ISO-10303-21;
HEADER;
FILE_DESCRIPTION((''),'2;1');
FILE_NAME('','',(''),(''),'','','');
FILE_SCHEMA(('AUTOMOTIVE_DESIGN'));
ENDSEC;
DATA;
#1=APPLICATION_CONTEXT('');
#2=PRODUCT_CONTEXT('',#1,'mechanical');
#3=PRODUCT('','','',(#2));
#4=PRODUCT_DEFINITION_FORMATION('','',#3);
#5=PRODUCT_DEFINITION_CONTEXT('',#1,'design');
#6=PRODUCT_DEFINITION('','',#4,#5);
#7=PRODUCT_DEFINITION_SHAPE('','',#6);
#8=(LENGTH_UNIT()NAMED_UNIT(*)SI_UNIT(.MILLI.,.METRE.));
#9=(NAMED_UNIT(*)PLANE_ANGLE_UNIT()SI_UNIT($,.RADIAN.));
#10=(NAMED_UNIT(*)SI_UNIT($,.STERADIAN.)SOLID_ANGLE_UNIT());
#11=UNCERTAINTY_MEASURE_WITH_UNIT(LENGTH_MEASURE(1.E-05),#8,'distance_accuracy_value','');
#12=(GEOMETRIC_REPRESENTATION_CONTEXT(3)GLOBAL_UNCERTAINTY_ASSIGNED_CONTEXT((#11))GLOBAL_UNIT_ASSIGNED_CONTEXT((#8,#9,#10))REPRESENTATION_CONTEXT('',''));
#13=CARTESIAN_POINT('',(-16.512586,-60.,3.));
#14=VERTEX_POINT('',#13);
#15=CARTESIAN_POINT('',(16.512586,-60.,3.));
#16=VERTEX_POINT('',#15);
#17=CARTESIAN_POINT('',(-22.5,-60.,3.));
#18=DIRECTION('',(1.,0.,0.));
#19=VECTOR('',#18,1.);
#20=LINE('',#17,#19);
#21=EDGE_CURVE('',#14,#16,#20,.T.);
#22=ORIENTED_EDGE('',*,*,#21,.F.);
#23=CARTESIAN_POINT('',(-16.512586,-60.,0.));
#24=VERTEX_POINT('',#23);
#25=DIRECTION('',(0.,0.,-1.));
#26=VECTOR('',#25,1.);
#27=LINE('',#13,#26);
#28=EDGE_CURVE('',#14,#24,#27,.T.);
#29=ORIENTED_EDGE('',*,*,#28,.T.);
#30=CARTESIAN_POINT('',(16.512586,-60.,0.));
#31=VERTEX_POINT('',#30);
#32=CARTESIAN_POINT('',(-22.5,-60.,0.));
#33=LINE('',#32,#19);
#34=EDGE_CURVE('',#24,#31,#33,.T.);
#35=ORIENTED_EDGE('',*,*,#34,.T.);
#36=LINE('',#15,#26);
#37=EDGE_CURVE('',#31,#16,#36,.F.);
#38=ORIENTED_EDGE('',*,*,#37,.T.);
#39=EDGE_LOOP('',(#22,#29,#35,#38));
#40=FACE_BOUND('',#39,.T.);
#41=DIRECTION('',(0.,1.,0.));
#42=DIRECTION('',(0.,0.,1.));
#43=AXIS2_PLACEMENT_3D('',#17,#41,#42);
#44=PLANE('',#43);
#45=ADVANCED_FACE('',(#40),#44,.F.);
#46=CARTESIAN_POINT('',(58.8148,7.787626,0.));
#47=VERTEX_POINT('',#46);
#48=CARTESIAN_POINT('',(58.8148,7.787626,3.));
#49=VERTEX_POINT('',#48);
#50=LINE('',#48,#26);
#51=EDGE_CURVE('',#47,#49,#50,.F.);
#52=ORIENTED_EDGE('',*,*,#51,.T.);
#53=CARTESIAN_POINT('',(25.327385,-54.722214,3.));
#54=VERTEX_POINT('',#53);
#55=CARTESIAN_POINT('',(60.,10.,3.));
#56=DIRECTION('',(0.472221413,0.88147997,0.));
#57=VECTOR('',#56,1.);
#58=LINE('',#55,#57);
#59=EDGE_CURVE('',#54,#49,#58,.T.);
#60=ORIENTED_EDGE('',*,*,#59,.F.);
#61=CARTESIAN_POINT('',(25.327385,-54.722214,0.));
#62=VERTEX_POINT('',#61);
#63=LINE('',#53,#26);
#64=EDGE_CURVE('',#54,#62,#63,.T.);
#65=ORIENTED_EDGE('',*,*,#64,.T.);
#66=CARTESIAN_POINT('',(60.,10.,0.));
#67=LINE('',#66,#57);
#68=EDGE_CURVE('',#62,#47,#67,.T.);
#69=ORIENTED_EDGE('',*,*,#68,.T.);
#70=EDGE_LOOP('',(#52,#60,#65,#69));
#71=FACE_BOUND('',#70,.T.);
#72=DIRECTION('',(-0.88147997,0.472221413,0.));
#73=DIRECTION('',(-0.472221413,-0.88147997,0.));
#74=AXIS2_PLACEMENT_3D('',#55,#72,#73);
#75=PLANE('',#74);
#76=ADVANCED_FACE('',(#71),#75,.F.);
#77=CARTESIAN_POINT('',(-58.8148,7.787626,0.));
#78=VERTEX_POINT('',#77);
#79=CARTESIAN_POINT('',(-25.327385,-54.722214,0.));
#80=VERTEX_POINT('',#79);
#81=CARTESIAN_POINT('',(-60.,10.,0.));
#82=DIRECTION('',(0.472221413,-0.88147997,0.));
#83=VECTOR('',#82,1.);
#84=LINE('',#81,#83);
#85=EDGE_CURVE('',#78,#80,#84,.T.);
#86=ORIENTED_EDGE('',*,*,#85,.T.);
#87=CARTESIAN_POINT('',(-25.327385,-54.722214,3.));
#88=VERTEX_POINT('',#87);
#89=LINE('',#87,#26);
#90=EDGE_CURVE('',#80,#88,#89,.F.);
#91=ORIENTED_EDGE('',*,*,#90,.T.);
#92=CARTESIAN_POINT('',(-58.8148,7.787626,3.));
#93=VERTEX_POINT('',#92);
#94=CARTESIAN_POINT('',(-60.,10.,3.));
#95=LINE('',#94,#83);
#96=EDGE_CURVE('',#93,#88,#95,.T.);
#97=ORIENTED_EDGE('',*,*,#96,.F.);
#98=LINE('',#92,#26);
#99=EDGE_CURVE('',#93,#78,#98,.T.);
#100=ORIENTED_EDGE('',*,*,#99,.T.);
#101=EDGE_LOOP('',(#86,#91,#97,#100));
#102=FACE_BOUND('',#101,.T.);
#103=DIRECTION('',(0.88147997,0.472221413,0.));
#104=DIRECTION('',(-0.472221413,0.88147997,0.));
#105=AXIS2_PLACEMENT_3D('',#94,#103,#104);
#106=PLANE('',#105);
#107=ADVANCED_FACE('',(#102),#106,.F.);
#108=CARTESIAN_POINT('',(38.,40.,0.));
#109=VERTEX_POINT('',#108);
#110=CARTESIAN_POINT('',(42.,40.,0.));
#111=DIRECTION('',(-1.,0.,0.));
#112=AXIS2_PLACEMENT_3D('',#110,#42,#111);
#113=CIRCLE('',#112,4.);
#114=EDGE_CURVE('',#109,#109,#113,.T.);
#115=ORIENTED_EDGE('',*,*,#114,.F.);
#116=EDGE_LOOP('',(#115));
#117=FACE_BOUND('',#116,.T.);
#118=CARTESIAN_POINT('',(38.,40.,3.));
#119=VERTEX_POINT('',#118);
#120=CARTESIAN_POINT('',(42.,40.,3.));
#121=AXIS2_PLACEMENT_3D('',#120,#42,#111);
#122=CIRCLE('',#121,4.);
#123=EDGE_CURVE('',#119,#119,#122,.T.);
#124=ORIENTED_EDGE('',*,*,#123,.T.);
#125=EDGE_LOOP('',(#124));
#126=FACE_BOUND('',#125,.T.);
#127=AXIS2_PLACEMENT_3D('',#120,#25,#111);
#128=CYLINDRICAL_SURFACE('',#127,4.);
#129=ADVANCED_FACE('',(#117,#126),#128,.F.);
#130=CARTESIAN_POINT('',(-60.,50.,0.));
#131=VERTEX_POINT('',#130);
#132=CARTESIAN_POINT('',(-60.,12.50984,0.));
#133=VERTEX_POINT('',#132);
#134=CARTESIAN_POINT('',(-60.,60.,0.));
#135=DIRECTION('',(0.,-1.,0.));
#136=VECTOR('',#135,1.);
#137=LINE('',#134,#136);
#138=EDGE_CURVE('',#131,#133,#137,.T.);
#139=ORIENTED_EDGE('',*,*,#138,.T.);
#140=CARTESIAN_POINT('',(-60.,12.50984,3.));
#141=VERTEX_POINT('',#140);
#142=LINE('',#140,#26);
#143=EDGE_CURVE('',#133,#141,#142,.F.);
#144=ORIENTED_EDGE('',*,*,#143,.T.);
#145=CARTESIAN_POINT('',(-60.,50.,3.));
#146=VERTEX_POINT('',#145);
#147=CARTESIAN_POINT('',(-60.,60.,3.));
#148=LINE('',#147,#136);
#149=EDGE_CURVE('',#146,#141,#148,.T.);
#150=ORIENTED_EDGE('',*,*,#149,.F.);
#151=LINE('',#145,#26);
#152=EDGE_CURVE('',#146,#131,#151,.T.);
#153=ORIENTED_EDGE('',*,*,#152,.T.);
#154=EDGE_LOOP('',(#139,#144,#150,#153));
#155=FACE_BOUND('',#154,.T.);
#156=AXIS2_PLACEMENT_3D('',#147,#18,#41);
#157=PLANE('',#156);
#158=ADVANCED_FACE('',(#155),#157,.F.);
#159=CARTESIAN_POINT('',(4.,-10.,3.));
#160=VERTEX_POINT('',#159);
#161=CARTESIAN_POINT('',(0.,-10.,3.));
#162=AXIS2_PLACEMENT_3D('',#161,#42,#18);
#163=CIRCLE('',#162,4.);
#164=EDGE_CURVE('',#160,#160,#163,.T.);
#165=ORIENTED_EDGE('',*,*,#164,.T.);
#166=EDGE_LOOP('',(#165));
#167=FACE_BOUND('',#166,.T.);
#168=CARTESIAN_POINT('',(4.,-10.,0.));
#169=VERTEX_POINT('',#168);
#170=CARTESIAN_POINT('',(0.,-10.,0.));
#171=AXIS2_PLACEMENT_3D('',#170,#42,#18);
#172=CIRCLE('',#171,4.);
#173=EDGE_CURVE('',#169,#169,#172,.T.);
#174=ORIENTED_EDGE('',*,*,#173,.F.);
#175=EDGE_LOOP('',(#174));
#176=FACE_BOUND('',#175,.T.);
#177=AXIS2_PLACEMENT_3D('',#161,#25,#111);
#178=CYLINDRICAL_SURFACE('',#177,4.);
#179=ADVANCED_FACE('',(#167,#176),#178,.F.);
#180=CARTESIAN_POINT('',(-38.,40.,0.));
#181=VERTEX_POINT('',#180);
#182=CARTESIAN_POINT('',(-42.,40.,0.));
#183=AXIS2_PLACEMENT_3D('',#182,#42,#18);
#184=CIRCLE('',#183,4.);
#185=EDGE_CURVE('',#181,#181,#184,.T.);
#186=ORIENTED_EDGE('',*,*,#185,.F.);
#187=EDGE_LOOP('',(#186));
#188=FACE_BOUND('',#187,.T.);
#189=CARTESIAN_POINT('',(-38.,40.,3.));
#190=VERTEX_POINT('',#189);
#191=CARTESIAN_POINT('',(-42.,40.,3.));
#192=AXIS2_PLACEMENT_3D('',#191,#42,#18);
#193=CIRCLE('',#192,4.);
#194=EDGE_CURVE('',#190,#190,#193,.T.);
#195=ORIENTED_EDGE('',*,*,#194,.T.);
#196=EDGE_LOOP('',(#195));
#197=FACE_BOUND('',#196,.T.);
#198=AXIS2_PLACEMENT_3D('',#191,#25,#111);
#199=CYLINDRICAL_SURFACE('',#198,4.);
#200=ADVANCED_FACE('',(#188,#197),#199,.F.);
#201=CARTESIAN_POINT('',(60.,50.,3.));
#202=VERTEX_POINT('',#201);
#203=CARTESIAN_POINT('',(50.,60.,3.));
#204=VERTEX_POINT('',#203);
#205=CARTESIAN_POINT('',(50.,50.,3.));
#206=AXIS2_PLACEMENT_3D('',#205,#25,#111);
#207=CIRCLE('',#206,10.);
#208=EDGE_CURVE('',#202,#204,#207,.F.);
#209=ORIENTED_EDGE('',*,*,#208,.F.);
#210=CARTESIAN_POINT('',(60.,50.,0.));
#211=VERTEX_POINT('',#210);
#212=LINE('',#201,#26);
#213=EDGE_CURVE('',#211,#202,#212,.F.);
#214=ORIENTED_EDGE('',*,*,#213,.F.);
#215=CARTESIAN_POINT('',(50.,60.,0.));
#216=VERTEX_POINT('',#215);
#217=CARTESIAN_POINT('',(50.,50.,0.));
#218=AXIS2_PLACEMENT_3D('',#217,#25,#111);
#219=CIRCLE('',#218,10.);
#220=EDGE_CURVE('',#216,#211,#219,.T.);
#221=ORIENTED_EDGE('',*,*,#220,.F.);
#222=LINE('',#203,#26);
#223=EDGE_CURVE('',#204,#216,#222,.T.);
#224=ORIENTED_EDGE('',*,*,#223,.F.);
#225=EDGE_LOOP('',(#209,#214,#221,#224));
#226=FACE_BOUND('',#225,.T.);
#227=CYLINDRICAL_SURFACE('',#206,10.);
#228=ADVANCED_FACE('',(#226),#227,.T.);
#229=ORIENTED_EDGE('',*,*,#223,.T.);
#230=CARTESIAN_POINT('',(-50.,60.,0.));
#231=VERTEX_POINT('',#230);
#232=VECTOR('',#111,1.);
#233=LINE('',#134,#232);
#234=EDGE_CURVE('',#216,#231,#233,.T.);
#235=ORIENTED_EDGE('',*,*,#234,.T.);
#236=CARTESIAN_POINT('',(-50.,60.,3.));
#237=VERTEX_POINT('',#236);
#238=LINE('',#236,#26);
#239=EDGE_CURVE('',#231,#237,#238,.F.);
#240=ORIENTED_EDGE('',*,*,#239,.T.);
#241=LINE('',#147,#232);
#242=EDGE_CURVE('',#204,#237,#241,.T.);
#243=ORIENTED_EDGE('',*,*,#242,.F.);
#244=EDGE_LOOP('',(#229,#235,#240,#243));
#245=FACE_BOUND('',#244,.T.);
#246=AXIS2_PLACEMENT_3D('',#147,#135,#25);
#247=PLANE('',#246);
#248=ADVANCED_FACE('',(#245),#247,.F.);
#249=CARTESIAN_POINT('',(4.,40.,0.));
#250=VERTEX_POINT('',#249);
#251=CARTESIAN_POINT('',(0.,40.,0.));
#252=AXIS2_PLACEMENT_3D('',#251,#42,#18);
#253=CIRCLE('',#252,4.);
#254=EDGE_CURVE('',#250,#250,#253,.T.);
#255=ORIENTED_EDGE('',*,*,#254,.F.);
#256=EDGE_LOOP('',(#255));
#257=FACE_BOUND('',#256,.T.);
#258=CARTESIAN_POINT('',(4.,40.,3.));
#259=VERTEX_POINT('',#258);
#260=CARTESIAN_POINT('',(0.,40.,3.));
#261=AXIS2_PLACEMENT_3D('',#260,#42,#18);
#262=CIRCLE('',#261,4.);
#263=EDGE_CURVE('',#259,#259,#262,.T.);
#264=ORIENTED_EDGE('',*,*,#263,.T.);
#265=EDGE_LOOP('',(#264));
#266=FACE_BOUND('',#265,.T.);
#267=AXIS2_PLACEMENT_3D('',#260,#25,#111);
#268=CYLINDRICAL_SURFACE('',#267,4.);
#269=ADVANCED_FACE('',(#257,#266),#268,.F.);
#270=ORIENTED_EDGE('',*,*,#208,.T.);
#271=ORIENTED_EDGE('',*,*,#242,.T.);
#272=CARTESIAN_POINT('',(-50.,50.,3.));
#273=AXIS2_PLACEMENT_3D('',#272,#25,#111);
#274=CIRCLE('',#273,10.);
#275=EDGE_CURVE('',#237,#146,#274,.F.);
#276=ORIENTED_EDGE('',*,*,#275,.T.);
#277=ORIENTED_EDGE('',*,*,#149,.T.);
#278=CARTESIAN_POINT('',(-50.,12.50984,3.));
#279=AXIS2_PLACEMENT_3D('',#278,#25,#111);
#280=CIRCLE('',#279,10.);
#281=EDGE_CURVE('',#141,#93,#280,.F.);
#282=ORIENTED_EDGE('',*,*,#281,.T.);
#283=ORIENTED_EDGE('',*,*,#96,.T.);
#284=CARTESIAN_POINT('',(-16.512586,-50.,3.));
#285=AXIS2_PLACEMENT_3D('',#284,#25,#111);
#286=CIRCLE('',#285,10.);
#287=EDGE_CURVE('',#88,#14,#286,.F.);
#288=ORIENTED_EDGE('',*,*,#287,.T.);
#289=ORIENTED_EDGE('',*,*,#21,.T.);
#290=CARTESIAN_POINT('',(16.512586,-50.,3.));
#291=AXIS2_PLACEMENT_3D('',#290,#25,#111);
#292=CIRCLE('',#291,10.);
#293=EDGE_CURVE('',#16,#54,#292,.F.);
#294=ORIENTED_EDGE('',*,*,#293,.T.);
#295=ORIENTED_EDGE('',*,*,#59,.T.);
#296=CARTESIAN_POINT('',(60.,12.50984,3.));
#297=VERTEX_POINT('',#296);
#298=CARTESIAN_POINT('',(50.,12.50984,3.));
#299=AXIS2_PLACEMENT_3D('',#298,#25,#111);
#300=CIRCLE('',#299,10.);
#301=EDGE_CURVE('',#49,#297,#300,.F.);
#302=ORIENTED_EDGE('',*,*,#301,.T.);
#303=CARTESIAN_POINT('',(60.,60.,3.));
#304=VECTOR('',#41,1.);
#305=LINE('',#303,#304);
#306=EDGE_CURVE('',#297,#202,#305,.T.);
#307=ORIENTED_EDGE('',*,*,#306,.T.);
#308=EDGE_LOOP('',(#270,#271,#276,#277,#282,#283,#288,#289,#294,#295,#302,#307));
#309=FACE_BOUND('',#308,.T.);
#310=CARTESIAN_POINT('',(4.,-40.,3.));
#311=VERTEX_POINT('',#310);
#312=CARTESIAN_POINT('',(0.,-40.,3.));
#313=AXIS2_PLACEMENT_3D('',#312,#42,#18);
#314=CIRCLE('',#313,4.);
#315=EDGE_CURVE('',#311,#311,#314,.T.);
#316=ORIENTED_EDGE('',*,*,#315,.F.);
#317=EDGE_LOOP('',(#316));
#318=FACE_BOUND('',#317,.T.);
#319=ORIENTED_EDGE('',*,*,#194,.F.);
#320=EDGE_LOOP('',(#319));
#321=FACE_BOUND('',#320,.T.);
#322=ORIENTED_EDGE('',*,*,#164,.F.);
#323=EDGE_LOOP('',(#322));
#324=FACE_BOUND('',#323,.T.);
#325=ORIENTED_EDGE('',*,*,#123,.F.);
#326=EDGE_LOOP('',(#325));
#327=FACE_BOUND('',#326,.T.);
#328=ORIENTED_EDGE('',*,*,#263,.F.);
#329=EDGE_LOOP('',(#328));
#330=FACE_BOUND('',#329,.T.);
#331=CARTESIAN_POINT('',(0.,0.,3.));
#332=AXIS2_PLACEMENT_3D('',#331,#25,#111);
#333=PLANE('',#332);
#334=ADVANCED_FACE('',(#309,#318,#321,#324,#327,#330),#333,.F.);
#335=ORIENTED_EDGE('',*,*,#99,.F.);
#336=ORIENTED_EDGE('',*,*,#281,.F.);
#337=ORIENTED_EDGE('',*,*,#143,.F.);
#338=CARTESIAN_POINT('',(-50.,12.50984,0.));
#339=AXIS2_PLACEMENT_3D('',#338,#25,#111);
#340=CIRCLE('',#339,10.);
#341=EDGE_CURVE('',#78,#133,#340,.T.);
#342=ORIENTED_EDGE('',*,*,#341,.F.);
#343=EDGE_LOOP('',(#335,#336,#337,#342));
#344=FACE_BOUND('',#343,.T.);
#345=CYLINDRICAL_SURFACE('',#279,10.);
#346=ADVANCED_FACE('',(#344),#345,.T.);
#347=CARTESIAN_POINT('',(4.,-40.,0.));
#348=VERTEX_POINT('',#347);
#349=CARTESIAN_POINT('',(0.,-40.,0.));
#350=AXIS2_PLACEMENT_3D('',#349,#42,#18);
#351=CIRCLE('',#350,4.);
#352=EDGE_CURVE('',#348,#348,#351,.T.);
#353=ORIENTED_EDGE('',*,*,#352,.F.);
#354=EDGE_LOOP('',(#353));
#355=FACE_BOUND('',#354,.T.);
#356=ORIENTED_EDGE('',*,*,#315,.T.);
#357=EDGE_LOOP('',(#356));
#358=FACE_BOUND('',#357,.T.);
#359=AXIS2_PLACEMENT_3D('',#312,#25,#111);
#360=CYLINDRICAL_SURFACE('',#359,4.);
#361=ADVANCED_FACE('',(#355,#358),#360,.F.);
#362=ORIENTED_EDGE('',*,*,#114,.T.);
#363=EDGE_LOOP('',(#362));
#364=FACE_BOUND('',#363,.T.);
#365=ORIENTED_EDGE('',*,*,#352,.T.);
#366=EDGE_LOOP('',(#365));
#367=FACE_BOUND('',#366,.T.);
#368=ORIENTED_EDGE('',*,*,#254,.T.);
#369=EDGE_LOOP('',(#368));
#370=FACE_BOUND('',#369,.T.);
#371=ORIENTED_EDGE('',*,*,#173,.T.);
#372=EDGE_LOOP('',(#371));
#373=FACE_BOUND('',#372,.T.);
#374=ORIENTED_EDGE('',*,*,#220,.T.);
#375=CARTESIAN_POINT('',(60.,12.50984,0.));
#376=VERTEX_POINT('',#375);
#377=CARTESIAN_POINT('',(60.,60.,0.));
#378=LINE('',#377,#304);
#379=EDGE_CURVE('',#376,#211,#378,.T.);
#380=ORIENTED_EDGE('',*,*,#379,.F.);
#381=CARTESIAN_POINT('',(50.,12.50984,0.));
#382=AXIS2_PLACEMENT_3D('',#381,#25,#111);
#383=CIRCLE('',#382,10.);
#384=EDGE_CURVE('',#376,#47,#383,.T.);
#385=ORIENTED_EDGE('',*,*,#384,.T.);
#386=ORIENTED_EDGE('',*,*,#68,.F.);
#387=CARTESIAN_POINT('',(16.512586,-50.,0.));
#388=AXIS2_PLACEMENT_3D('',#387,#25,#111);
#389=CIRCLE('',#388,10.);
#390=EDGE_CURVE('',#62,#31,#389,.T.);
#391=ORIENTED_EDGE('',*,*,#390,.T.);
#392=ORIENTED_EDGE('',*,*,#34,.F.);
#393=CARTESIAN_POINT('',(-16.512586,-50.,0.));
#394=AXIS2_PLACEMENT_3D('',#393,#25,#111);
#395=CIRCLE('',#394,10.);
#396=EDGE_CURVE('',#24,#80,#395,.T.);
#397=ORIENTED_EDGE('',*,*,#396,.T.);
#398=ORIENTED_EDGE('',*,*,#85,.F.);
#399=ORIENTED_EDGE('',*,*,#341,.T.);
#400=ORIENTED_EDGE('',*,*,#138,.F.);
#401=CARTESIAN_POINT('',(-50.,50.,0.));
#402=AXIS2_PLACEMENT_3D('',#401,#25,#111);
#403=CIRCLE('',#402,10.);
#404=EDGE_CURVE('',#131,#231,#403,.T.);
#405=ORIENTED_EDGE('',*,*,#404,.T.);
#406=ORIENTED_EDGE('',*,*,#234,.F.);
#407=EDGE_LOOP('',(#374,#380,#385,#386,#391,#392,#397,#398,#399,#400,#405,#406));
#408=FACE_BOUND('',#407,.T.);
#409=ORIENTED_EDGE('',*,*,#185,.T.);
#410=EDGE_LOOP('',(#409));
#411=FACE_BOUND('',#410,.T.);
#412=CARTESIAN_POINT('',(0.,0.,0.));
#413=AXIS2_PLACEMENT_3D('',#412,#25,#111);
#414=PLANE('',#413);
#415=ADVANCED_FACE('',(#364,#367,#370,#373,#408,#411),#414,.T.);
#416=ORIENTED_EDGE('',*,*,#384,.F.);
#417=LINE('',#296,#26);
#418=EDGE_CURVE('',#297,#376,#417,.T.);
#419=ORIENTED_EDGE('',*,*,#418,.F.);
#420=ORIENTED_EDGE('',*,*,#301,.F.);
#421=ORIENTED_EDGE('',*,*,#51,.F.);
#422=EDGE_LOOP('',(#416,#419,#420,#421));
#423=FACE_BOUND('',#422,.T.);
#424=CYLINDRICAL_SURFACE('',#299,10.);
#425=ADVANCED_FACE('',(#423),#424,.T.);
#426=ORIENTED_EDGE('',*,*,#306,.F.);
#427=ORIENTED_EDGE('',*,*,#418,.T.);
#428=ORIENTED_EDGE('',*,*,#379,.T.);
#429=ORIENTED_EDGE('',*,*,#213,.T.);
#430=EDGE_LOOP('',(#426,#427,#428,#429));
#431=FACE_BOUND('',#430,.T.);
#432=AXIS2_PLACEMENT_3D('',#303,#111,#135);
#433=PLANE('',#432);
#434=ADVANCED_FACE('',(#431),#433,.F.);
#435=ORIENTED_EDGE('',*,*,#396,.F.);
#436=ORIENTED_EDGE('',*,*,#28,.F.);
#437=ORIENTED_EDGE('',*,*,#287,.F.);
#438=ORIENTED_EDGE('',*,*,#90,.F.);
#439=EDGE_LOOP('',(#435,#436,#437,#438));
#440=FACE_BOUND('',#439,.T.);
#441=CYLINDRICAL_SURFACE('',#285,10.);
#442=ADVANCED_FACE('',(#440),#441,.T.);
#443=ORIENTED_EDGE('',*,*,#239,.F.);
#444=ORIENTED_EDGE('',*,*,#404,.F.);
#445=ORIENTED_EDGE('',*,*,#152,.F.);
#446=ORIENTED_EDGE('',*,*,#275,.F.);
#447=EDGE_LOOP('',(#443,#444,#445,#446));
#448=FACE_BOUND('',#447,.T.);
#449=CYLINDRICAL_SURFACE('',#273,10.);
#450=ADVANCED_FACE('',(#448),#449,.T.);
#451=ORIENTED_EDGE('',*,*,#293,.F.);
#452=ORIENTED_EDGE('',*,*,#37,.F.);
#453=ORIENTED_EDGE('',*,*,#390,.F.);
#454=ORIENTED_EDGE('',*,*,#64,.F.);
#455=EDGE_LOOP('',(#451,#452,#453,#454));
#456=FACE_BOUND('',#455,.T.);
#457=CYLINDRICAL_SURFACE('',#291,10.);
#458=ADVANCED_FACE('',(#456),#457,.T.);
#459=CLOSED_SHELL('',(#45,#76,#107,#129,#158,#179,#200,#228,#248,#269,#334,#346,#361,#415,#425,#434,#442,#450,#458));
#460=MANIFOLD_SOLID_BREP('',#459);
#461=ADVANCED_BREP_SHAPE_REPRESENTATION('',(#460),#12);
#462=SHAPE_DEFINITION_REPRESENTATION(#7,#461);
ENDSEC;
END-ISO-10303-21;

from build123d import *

# Parameters (mm, degrees)
SKETCH1_R           = 4
BOSS_EXTRUDE1_DEPTH = 3
FILLET1_R           = 10


with BuildPart() as part:
    # Sketch1 → Boss-Extrude1 (new body)
    with BuildSketch(Plane.XY):
        Polygon((-60, 60), (-60, 10), (-22.5, -60), (22.5, -60), (60, 10), (60, 60), align=None)
        with Locations((-42, 40)):
            Circle(SKETCH1_R, mode=Mode.SUBTRACT)
        with Locations((0, -40)):
            Circle(SKETCH1_R, mode=Mode.SUBTRACT)
        with Locations((0, -10)):
            Circle(SKETCH1_R, mode=Mode.SUBTRACT)
        with Locations((0, 40)):
            Circle(SKETCH1_R, mode=Mode.SUBTRACT)
        with Locations((42, 40)):
            Circle(SKETCH1_R, mode=Mode.SUBTRACT)
    extrude(amount=BOSS_EXTRUDE1_DEPTH)

    # Fillet1
    fillet1_edges = [part.edges().sort_by_distance(p)[0] for p in [
        (60, 60, 1.5),
        (60, 10, 1.5),
        (22.5, -60, 1.5),
        (-22.5, -60, 1.5),
        (-60, 10, 1.5),
        (-60, 60, 1.5),
    ]]
    fillet(fillet1_edges, radius=FILLET1_R)


solid = part.part
